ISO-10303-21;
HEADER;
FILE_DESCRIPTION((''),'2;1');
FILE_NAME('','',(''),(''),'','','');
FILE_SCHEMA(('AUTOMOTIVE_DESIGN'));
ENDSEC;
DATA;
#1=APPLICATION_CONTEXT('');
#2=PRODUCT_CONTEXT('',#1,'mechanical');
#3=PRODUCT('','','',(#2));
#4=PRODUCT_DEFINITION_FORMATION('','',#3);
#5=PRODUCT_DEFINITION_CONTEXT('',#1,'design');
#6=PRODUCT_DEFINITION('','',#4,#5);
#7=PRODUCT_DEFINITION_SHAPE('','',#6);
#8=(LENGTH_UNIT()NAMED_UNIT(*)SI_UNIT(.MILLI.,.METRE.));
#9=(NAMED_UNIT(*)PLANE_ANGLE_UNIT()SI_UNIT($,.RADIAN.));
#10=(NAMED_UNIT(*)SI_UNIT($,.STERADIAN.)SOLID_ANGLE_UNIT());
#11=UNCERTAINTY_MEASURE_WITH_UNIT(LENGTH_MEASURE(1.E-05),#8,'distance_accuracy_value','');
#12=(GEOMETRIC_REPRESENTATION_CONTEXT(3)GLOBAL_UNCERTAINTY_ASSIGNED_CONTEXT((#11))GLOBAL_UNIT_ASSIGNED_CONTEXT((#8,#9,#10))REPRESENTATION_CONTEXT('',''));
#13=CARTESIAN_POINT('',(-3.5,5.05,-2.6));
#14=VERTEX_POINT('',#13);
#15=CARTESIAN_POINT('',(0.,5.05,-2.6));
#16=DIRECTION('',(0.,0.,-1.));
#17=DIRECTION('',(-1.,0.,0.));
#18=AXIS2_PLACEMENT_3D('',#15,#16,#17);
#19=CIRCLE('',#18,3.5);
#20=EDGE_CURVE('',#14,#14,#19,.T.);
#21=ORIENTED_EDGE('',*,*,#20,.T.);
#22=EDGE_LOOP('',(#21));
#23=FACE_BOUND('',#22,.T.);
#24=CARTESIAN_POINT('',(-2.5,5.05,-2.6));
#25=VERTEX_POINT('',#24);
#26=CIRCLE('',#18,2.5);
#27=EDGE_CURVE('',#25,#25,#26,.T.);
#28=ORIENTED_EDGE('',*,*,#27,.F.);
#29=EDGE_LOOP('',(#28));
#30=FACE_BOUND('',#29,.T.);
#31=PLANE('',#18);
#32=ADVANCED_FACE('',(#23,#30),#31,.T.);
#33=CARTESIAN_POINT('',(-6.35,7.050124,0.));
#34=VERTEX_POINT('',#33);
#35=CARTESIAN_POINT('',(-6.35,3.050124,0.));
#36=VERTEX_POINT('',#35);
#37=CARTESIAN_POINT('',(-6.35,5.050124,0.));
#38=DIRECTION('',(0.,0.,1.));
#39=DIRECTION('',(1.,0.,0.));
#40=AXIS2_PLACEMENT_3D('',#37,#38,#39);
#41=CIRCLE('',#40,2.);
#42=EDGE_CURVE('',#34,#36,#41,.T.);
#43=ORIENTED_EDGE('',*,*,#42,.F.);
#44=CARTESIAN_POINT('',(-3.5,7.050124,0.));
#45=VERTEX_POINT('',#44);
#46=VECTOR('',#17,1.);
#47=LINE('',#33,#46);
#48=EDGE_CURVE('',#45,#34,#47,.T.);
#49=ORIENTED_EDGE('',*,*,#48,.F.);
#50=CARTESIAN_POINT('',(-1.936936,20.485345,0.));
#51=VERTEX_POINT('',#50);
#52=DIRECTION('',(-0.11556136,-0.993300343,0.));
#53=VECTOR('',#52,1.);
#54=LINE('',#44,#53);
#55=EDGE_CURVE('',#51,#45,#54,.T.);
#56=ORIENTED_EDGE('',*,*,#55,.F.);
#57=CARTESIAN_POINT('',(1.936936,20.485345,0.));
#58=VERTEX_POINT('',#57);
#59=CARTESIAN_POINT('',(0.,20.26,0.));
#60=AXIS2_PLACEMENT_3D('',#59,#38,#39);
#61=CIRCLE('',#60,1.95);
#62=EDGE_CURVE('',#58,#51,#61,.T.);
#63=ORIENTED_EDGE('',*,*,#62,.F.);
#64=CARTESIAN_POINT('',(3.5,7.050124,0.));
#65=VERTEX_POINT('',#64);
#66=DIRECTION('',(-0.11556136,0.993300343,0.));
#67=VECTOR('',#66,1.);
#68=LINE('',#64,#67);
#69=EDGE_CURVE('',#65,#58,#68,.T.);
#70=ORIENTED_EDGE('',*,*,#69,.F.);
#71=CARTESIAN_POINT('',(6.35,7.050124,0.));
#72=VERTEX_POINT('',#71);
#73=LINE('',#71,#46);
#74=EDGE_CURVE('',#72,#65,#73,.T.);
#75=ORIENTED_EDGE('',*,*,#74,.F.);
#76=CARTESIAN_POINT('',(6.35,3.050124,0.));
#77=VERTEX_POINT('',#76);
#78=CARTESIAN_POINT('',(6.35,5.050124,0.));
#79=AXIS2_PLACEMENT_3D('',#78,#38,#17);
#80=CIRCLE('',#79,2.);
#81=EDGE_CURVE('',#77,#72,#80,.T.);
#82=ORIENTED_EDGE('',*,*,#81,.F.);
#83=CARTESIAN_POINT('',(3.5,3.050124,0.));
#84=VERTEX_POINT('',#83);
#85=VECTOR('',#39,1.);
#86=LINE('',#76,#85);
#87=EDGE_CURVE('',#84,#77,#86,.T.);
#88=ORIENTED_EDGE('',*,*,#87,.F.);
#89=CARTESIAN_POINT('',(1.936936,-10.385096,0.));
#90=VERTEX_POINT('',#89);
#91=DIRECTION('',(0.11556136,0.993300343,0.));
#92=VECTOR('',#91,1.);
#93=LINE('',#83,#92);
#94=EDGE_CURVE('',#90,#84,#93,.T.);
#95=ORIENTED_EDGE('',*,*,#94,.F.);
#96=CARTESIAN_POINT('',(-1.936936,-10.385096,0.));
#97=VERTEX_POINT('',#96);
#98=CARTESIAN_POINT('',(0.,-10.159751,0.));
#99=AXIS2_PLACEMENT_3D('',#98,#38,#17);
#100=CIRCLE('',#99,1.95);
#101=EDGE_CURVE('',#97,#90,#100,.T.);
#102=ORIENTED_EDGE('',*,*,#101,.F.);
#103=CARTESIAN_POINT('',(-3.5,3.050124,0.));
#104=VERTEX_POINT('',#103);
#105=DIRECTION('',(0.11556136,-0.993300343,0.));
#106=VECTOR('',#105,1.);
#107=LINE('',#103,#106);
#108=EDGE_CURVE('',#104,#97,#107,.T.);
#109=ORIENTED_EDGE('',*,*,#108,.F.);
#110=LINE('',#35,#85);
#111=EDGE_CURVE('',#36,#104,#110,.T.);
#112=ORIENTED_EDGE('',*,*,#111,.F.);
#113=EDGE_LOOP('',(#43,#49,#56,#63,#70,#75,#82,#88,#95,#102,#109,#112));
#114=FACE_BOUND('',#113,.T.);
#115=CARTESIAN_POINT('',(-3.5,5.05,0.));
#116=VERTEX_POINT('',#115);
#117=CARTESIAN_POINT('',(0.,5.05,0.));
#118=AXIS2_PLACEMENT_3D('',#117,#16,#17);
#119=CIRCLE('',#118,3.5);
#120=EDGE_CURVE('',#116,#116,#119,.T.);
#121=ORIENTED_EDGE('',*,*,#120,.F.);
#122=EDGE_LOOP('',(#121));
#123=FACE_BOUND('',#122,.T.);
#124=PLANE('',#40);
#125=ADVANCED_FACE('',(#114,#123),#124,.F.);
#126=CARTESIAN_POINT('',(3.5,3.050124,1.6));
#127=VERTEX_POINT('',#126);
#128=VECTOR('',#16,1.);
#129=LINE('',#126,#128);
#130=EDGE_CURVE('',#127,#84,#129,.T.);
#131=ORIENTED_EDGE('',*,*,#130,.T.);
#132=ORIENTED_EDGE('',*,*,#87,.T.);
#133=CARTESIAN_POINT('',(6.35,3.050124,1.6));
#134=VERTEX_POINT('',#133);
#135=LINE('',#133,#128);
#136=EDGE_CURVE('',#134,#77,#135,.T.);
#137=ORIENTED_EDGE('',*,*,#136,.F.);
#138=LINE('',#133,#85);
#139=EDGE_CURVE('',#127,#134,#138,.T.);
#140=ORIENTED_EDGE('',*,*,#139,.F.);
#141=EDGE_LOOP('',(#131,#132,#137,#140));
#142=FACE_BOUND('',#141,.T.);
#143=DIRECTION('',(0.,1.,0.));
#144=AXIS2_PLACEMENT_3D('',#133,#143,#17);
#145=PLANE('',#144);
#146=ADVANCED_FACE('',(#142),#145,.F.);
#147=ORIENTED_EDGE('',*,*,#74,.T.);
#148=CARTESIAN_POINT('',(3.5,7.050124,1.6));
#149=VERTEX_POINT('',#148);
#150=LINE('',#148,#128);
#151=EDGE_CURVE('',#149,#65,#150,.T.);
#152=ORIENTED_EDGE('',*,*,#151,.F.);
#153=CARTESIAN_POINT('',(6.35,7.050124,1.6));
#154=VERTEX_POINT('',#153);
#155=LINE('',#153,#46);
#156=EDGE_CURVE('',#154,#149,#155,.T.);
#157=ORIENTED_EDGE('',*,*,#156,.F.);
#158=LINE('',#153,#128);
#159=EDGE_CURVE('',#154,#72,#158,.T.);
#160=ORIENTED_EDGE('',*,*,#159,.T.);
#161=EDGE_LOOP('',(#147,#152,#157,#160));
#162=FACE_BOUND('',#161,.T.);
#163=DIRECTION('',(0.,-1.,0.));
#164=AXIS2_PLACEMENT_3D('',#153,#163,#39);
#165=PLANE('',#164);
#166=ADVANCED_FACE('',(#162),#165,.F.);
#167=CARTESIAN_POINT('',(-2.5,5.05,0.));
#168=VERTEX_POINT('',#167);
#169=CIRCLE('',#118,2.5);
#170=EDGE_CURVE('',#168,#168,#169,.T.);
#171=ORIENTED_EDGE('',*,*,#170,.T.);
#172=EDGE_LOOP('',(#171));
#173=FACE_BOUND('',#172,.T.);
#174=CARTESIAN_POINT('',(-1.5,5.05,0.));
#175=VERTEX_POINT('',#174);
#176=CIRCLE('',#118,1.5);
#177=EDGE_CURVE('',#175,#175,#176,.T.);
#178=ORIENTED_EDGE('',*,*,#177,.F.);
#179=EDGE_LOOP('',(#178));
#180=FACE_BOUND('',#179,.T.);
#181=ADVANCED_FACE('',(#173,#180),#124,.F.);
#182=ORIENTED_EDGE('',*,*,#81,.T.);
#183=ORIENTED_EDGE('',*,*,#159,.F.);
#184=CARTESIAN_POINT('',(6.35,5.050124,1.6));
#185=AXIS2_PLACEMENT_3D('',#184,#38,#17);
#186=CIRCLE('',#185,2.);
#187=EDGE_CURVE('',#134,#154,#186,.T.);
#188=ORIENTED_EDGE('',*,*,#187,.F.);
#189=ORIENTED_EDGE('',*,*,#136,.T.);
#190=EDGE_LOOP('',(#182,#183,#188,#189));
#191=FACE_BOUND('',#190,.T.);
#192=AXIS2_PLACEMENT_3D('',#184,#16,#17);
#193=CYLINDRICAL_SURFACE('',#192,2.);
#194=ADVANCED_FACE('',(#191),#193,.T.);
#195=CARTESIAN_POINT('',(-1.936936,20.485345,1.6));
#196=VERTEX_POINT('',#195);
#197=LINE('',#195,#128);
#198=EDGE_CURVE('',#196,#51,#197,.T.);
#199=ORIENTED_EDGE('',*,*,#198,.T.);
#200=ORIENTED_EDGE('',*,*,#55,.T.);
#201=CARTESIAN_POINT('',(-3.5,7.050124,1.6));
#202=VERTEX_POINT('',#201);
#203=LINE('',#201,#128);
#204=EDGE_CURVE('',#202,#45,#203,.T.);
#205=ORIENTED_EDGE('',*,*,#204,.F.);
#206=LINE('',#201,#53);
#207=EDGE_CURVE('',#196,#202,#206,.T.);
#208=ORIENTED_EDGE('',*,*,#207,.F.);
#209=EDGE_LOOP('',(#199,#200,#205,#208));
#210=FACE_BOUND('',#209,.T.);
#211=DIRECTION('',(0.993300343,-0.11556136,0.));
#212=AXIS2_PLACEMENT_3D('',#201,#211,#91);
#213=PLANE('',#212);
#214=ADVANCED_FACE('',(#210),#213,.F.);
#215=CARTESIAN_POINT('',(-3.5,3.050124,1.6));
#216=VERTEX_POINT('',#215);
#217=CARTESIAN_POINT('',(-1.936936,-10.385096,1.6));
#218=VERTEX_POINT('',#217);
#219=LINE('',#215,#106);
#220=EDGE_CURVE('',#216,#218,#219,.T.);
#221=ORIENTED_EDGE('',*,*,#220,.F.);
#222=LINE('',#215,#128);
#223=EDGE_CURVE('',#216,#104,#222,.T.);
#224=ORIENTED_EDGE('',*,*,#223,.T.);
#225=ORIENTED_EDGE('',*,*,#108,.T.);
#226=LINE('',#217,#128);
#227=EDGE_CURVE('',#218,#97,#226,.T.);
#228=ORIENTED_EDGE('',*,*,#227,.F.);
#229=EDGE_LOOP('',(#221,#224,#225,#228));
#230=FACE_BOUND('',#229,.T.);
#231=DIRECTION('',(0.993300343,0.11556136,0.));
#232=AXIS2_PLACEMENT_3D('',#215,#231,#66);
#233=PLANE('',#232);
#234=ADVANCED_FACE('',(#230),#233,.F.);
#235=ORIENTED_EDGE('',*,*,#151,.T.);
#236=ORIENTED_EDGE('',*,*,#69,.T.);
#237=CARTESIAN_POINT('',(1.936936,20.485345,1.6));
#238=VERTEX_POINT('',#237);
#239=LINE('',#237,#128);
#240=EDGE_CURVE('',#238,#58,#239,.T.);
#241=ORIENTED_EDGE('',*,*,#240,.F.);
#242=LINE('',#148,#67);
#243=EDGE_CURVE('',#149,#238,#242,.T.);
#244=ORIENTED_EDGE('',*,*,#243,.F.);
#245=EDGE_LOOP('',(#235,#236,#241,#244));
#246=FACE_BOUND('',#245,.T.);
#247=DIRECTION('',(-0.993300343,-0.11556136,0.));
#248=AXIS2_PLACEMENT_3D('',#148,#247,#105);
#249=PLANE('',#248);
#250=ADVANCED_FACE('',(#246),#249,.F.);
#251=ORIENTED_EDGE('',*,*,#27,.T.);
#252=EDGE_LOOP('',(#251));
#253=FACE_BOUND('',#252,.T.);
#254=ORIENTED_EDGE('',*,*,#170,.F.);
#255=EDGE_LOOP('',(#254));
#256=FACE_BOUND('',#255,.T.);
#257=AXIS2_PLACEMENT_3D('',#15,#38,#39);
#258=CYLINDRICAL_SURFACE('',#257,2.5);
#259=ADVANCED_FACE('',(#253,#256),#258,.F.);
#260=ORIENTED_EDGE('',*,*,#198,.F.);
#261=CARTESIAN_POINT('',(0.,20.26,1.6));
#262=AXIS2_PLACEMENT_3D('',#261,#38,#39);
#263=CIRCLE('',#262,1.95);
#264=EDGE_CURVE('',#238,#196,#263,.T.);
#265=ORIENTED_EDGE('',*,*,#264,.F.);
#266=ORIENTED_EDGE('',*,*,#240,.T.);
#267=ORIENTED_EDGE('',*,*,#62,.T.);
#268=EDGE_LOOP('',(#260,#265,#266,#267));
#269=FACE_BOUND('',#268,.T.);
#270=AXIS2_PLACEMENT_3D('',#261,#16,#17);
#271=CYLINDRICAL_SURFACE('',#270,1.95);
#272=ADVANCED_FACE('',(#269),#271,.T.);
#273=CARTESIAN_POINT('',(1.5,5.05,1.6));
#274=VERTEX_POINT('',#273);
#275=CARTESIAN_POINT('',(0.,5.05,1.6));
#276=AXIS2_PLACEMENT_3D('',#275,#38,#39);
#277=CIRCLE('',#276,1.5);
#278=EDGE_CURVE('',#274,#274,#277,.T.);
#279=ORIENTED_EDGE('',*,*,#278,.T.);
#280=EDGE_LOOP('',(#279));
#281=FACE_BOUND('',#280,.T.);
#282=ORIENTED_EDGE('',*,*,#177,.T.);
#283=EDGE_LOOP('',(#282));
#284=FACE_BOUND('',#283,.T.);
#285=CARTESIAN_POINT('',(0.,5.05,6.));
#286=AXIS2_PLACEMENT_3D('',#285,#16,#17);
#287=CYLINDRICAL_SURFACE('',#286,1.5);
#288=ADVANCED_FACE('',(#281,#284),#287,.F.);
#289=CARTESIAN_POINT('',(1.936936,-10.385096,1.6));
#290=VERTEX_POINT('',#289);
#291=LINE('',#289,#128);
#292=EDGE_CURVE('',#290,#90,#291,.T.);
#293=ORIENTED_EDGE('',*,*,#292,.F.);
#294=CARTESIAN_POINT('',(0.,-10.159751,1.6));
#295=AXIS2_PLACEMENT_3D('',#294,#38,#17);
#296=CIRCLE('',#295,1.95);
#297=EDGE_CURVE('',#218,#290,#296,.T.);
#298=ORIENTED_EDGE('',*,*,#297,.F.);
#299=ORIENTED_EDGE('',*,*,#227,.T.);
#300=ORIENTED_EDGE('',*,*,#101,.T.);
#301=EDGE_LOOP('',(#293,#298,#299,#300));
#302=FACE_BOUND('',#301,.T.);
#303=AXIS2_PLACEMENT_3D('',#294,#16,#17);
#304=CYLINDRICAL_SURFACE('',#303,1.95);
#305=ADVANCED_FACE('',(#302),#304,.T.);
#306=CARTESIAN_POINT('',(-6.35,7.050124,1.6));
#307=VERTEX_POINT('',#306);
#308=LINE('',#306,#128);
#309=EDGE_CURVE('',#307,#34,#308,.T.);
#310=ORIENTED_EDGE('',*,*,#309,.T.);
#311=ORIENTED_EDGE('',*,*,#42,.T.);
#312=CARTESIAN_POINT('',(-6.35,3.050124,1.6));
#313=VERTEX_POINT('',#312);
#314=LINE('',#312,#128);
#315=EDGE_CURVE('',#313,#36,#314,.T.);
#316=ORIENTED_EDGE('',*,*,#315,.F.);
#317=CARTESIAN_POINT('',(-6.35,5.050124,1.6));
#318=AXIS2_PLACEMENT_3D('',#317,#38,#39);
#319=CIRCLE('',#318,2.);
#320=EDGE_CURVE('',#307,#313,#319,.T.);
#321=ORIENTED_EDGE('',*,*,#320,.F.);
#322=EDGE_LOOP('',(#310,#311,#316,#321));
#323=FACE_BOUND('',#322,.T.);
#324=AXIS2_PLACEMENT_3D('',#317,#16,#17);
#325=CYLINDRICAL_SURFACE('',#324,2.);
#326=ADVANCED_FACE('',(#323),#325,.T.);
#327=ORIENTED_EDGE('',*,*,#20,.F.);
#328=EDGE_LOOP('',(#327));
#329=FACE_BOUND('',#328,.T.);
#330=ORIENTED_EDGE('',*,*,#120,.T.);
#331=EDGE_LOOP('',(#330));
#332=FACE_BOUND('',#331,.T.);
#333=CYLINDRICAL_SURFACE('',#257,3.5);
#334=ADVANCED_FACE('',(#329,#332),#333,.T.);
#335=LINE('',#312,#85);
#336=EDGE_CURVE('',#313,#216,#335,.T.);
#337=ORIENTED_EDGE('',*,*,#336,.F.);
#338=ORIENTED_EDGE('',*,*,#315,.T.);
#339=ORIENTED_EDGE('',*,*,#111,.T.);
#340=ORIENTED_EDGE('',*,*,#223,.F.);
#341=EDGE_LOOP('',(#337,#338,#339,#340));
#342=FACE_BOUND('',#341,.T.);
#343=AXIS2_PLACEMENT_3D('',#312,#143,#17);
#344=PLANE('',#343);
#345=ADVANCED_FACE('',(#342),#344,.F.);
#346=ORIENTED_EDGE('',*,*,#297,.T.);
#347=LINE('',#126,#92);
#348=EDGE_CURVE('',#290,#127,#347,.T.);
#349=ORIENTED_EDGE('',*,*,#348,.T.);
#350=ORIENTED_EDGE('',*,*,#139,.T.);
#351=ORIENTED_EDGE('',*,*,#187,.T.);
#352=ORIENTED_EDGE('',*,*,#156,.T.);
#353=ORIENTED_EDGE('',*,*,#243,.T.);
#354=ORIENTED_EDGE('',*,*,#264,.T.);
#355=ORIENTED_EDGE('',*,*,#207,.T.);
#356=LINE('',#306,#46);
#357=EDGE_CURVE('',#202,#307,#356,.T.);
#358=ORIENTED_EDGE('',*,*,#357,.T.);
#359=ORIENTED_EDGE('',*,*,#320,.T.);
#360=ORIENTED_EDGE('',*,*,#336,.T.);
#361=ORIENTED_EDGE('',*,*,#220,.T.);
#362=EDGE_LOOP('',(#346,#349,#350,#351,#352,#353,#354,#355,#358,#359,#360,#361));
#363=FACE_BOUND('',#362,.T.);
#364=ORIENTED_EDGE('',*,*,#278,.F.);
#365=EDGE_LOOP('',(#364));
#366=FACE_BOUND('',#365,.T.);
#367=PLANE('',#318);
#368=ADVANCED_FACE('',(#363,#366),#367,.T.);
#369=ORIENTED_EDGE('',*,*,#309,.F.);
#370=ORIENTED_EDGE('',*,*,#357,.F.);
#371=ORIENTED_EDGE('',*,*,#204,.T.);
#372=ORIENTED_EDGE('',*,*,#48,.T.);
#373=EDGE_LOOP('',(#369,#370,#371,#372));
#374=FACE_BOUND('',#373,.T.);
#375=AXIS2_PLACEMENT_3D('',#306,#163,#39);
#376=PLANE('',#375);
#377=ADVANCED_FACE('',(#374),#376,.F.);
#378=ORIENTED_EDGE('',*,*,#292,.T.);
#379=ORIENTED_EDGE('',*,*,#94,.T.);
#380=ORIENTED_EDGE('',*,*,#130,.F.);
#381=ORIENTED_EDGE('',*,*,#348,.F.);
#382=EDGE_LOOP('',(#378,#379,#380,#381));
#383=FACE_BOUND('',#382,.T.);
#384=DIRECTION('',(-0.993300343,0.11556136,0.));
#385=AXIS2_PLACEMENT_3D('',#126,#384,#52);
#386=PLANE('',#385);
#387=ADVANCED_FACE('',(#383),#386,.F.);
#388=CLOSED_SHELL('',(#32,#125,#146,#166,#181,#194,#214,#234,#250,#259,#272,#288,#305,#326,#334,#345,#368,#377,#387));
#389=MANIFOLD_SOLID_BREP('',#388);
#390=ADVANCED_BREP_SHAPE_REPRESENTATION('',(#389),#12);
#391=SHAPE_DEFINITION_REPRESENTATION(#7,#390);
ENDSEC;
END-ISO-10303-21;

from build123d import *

# Parameters (mm, degrees)
EXTRUDE_1_DEPTH     = 1.6
SKETCH_2_R          = 3.5
SKETCH_2_R_2        = 2.5
EXTRUDE_2_DEPTH     = 2.6
SKETCH_7_R          = 1.5
CUT_EXTRUDE_1_DEPTH = 6


with BuildPart() as part:
    # 草图1 → 凸台-拉伸1 (new body)
    with BuildSketch(Plane.XY):
        with BuildLine():
            Line((-6.349999999, 7.050124355), (-3.5, 7.050124355))
            Line((-3.5, 7.050124355), (-1.936935669, 20.485344653))
            ThreePointArc((-1.936935669, 20.485344653), (0, 22.21), (1.936935669, 20.485344653))
            Line((1.936935669, 20.485344653), (3.5, 7.050124355))
            Line((3.5, 7.050124355), (6.349999999, 7.050124355))
            ThreePointArc((6.349999999, 7.050124355), (8.349999999, 5.050124355), (6.349999999, 3.050124355))
            Line((6.349999999, 3.050124355), (3.5, 3.050124355))
            Line((3.5, 3.050124355), (1.936935669, -10.385095943))
            ThreePointArc((1.936935669, -10.385095943), (0, -12.10975129), (-1.936935669, -10.385095943))
            Line((-1.936935669, -10.385095943), (-3.5, 3.050124355))
            Line((-3.5, 3.050124355), (-6.349999999, 3.050124355))
            ThreePointArc((-6.349999999, 3.050124355), (-8.349999999, 5.050124355), (-6.349999999, 7.050124355))
        make_face()
    extrude(amount=EXTRUDE_1_DEPTH)

    # 草图2 → 凸台-拉伸2 (add)
    with BuildSketch(Plane(origin=(0, 0, 0), x_dir=(-1, 0, 0), z_dir=(0, 0, -1))):
        with Locations((0, 5.05)):
            Circle(SKETCH_2_R)
        with Locations((0, 5.05)):
            Circle(SKETCH_2_R_2, mode=Mode.SUBTRACT)
    extrude(amount=EXTRUDE_2_DEPTH)

    # 草图7 → 切除-拉伸1 (cut)
    with BuildSketch(Plane(origin=(0, 0, 0), x_dir=(-1, 0, 0), z_dir=(0, 0, -1))):
        with Locations((0, 5.05)):
            Circle(SKETCH_7_R)
    extrude(amount=-CUT_EXTRUDE_1_DEPTH, mode=Mode.SUBTRACT)


solid = part.part
